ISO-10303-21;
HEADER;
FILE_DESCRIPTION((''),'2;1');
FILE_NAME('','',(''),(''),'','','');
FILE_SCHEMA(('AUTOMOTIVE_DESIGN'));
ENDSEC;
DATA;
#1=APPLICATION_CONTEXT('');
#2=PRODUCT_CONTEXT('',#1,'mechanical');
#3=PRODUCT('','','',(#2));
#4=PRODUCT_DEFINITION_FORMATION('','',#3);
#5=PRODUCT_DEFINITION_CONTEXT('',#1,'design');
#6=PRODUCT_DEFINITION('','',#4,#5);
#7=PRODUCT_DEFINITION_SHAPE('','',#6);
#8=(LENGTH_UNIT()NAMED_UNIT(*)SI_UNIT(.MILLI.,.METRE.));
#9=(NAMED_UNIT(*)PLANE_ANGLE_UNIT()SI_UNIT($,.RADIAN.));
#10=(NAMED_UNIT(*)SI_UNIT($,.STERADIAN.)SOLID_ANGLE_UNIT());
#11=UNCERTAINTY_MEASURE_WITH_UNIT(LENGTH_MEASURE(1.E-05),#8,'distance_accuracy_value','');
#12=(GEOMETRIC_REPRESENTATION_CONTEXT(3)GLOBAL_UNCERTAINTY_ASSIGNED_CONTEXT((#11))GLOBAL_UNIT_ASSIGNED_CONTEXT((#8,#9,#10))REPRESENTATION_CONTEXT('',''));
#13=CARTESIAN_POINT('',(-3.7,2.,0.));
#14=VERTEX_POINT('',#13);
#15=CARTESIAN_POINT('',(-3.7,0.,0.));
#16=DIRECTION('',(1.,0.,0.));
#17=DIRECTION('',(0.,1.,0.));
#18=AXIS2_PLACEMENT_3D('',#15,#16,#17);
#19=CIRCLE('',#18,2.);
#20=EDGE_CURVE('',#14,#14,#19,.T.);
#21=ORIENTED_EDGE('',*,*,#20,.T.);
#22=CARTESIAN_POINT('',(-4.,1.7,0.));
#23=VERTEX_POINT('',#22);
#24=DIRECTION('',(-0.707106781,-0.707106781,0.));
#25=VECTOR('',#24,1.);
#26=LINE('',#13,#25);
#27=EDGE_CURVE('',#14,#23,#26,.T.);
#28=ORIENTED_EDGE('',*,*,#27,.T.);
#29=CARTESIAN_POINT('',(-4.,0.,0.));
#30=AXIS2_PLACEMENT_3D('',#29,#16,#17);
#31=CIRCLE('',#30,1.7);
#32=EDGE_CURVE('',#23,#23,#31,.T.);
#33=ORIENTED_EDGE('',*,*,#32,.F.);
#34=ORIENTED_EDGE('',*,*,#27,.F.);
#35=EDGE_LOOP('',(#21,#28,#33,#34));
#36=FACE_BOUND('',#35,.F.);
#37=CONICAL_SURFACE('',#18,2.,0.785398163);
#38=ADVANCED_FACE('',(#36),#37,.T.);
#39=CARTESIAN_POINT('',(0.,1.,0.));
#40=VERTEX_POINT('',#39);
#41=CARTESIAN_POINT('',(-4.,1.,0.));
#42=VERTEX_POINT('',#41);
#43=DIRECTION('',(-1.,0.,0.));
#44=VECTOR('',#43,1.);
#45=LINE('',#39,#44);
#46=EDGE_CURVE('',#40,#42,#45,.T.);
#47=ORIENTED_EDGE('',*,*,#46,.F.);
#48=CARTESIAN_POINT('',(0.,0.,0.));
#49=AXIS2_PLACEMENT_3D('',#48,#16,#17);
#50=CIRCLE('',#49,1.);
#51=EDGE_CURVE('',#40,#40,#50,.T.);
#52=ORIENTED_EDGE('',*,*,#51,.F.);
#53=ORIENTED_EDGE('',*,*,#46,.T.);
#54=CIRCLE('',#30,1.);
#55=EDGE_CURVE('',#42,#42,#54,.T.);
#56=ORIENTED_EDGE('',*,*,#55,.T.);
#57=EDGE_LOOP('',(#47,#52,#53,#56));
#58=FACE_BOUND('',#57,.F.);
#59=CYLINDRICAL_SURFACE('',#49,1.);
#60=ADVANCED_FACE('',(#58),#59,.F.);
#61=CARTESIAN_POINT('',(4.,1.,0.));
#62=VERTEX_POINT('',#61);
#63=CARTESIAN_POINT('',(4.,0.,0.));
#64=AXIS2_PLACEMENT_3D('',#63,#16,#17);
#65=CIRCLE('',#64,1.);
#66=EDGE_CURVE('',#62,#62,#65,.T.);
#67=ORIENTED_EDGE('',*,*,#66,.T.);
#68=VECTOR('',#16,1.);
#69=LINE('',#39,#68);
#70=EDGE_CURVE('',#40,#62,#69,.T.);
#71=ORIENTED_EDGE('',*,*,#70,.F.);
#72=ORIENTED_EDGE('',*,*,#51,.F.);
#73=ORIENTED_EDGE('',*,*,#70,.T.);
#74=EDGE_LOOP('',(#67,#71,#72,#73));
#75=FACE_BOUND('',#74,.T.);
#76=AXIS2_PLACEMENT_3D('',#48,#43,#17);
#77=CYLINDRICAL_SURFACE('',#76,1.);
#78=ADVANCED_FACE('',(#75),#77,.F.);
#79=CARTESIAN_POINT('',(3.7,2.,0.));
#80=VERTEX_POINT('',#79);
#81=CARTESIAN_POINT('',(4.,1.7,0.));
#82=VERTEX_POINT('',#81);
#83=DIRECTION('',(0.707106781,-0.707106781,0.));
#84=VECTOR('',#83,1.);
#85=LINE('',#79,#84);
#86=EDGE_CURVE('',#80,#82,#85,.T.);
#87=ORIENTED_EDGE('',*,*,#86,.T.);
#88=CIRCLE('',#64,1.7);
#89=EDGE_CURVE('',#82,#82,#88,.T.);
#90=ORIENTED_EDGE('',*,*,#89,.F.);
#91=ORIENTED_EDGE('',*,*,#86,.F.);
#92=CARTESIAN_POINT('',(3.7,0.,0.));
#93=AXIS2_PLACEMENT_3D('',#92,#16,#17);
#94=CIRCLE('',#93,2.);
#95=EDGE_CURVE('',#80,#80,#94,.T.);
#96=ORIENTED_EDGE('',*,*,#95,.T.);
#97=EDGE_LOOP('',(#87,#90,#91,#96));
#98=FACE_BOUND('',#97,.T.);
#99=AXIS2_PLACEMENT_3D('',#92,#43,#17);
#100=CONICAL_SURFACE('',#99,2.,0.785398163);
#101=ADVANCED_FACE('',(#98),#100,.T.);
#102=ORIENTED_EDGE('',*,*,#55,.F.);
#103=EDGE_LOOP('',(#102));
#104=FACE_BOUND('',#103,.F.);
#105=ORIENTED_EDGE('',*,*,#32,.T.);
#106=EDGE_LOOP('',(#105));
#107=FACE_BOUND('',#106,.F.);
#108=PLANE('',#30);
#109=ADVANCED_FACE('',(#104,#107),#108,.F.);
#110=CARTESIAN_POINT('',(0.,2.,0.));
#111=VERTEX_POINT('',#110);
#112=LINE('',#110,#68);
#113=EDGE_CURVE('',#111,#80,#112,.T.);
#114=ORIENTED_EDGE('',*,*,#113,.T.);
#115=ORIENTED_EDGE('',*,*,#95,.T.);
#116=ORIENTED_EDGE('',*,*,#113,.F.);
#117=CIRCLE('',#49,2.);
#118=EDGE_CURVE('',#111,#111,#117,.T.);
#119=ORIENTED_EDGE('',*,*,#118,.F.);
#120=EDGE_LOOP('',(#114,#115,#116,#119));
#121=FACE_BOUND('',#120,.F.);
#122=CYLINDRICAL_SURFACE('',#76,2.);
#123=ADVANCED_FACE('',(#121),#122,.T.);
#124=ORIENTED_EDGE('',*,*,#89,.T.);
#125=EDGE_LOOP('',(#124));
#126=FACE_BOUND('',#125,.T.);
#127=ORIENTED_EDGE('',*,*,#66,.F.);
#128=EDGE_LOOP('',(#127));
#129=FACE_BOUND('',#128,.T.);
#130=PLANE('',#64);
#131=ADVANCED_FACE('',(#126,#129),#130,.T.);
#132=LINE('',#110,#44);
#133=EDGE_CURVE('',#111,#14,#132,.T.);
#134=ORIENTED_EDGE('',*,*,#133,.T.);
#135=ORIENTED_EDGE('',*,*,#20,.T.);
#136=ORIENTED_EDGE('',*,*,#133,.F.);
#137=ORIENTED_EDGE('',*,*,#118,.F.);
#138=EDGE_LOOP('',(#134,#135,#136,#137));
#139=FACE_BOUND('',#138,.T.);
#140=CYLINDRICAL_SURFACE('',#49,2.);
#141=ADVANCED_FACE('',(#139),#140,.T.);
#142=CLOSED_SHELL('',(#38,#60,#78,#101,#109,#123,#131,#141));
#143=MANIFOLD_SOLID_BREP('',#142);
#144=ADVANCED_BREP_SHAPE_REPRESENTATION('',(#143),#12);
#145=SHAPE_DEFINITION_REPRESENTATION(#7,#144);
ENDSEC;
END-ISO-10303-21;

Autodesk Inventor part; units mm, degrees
ref_plane "YZ Plane" through (0, 0, 0) normal (1, 0, 0) x (0, 1, 0)
ref_plane "XZ Plane" through (0, 0, 0) normal (0, 1, 0) x (-1, 0, 0)
ref_plane "XY Plane" through (0, 0, 0) normal (0, 0, 1) x (1, 0, 0)
sketch "スケッチ1" plane through (0, 0, 0) normal (1, 0, 0) x (0, 1, 0)
  circle A0 centre (0, 0) radius 2
  circle A1 centre (0, 0) radius 1
  dimension "d0" = 4
  dimension "d1" = 2
extrude "押し出し1" add sketch "スケッチ1" along normal mid plane 8
chamfer "面取り1" distance 0.3 angle 45 2 edges at (4, -2, 0) (-4, -2, 0)
properties part number "ARL-2008E"
